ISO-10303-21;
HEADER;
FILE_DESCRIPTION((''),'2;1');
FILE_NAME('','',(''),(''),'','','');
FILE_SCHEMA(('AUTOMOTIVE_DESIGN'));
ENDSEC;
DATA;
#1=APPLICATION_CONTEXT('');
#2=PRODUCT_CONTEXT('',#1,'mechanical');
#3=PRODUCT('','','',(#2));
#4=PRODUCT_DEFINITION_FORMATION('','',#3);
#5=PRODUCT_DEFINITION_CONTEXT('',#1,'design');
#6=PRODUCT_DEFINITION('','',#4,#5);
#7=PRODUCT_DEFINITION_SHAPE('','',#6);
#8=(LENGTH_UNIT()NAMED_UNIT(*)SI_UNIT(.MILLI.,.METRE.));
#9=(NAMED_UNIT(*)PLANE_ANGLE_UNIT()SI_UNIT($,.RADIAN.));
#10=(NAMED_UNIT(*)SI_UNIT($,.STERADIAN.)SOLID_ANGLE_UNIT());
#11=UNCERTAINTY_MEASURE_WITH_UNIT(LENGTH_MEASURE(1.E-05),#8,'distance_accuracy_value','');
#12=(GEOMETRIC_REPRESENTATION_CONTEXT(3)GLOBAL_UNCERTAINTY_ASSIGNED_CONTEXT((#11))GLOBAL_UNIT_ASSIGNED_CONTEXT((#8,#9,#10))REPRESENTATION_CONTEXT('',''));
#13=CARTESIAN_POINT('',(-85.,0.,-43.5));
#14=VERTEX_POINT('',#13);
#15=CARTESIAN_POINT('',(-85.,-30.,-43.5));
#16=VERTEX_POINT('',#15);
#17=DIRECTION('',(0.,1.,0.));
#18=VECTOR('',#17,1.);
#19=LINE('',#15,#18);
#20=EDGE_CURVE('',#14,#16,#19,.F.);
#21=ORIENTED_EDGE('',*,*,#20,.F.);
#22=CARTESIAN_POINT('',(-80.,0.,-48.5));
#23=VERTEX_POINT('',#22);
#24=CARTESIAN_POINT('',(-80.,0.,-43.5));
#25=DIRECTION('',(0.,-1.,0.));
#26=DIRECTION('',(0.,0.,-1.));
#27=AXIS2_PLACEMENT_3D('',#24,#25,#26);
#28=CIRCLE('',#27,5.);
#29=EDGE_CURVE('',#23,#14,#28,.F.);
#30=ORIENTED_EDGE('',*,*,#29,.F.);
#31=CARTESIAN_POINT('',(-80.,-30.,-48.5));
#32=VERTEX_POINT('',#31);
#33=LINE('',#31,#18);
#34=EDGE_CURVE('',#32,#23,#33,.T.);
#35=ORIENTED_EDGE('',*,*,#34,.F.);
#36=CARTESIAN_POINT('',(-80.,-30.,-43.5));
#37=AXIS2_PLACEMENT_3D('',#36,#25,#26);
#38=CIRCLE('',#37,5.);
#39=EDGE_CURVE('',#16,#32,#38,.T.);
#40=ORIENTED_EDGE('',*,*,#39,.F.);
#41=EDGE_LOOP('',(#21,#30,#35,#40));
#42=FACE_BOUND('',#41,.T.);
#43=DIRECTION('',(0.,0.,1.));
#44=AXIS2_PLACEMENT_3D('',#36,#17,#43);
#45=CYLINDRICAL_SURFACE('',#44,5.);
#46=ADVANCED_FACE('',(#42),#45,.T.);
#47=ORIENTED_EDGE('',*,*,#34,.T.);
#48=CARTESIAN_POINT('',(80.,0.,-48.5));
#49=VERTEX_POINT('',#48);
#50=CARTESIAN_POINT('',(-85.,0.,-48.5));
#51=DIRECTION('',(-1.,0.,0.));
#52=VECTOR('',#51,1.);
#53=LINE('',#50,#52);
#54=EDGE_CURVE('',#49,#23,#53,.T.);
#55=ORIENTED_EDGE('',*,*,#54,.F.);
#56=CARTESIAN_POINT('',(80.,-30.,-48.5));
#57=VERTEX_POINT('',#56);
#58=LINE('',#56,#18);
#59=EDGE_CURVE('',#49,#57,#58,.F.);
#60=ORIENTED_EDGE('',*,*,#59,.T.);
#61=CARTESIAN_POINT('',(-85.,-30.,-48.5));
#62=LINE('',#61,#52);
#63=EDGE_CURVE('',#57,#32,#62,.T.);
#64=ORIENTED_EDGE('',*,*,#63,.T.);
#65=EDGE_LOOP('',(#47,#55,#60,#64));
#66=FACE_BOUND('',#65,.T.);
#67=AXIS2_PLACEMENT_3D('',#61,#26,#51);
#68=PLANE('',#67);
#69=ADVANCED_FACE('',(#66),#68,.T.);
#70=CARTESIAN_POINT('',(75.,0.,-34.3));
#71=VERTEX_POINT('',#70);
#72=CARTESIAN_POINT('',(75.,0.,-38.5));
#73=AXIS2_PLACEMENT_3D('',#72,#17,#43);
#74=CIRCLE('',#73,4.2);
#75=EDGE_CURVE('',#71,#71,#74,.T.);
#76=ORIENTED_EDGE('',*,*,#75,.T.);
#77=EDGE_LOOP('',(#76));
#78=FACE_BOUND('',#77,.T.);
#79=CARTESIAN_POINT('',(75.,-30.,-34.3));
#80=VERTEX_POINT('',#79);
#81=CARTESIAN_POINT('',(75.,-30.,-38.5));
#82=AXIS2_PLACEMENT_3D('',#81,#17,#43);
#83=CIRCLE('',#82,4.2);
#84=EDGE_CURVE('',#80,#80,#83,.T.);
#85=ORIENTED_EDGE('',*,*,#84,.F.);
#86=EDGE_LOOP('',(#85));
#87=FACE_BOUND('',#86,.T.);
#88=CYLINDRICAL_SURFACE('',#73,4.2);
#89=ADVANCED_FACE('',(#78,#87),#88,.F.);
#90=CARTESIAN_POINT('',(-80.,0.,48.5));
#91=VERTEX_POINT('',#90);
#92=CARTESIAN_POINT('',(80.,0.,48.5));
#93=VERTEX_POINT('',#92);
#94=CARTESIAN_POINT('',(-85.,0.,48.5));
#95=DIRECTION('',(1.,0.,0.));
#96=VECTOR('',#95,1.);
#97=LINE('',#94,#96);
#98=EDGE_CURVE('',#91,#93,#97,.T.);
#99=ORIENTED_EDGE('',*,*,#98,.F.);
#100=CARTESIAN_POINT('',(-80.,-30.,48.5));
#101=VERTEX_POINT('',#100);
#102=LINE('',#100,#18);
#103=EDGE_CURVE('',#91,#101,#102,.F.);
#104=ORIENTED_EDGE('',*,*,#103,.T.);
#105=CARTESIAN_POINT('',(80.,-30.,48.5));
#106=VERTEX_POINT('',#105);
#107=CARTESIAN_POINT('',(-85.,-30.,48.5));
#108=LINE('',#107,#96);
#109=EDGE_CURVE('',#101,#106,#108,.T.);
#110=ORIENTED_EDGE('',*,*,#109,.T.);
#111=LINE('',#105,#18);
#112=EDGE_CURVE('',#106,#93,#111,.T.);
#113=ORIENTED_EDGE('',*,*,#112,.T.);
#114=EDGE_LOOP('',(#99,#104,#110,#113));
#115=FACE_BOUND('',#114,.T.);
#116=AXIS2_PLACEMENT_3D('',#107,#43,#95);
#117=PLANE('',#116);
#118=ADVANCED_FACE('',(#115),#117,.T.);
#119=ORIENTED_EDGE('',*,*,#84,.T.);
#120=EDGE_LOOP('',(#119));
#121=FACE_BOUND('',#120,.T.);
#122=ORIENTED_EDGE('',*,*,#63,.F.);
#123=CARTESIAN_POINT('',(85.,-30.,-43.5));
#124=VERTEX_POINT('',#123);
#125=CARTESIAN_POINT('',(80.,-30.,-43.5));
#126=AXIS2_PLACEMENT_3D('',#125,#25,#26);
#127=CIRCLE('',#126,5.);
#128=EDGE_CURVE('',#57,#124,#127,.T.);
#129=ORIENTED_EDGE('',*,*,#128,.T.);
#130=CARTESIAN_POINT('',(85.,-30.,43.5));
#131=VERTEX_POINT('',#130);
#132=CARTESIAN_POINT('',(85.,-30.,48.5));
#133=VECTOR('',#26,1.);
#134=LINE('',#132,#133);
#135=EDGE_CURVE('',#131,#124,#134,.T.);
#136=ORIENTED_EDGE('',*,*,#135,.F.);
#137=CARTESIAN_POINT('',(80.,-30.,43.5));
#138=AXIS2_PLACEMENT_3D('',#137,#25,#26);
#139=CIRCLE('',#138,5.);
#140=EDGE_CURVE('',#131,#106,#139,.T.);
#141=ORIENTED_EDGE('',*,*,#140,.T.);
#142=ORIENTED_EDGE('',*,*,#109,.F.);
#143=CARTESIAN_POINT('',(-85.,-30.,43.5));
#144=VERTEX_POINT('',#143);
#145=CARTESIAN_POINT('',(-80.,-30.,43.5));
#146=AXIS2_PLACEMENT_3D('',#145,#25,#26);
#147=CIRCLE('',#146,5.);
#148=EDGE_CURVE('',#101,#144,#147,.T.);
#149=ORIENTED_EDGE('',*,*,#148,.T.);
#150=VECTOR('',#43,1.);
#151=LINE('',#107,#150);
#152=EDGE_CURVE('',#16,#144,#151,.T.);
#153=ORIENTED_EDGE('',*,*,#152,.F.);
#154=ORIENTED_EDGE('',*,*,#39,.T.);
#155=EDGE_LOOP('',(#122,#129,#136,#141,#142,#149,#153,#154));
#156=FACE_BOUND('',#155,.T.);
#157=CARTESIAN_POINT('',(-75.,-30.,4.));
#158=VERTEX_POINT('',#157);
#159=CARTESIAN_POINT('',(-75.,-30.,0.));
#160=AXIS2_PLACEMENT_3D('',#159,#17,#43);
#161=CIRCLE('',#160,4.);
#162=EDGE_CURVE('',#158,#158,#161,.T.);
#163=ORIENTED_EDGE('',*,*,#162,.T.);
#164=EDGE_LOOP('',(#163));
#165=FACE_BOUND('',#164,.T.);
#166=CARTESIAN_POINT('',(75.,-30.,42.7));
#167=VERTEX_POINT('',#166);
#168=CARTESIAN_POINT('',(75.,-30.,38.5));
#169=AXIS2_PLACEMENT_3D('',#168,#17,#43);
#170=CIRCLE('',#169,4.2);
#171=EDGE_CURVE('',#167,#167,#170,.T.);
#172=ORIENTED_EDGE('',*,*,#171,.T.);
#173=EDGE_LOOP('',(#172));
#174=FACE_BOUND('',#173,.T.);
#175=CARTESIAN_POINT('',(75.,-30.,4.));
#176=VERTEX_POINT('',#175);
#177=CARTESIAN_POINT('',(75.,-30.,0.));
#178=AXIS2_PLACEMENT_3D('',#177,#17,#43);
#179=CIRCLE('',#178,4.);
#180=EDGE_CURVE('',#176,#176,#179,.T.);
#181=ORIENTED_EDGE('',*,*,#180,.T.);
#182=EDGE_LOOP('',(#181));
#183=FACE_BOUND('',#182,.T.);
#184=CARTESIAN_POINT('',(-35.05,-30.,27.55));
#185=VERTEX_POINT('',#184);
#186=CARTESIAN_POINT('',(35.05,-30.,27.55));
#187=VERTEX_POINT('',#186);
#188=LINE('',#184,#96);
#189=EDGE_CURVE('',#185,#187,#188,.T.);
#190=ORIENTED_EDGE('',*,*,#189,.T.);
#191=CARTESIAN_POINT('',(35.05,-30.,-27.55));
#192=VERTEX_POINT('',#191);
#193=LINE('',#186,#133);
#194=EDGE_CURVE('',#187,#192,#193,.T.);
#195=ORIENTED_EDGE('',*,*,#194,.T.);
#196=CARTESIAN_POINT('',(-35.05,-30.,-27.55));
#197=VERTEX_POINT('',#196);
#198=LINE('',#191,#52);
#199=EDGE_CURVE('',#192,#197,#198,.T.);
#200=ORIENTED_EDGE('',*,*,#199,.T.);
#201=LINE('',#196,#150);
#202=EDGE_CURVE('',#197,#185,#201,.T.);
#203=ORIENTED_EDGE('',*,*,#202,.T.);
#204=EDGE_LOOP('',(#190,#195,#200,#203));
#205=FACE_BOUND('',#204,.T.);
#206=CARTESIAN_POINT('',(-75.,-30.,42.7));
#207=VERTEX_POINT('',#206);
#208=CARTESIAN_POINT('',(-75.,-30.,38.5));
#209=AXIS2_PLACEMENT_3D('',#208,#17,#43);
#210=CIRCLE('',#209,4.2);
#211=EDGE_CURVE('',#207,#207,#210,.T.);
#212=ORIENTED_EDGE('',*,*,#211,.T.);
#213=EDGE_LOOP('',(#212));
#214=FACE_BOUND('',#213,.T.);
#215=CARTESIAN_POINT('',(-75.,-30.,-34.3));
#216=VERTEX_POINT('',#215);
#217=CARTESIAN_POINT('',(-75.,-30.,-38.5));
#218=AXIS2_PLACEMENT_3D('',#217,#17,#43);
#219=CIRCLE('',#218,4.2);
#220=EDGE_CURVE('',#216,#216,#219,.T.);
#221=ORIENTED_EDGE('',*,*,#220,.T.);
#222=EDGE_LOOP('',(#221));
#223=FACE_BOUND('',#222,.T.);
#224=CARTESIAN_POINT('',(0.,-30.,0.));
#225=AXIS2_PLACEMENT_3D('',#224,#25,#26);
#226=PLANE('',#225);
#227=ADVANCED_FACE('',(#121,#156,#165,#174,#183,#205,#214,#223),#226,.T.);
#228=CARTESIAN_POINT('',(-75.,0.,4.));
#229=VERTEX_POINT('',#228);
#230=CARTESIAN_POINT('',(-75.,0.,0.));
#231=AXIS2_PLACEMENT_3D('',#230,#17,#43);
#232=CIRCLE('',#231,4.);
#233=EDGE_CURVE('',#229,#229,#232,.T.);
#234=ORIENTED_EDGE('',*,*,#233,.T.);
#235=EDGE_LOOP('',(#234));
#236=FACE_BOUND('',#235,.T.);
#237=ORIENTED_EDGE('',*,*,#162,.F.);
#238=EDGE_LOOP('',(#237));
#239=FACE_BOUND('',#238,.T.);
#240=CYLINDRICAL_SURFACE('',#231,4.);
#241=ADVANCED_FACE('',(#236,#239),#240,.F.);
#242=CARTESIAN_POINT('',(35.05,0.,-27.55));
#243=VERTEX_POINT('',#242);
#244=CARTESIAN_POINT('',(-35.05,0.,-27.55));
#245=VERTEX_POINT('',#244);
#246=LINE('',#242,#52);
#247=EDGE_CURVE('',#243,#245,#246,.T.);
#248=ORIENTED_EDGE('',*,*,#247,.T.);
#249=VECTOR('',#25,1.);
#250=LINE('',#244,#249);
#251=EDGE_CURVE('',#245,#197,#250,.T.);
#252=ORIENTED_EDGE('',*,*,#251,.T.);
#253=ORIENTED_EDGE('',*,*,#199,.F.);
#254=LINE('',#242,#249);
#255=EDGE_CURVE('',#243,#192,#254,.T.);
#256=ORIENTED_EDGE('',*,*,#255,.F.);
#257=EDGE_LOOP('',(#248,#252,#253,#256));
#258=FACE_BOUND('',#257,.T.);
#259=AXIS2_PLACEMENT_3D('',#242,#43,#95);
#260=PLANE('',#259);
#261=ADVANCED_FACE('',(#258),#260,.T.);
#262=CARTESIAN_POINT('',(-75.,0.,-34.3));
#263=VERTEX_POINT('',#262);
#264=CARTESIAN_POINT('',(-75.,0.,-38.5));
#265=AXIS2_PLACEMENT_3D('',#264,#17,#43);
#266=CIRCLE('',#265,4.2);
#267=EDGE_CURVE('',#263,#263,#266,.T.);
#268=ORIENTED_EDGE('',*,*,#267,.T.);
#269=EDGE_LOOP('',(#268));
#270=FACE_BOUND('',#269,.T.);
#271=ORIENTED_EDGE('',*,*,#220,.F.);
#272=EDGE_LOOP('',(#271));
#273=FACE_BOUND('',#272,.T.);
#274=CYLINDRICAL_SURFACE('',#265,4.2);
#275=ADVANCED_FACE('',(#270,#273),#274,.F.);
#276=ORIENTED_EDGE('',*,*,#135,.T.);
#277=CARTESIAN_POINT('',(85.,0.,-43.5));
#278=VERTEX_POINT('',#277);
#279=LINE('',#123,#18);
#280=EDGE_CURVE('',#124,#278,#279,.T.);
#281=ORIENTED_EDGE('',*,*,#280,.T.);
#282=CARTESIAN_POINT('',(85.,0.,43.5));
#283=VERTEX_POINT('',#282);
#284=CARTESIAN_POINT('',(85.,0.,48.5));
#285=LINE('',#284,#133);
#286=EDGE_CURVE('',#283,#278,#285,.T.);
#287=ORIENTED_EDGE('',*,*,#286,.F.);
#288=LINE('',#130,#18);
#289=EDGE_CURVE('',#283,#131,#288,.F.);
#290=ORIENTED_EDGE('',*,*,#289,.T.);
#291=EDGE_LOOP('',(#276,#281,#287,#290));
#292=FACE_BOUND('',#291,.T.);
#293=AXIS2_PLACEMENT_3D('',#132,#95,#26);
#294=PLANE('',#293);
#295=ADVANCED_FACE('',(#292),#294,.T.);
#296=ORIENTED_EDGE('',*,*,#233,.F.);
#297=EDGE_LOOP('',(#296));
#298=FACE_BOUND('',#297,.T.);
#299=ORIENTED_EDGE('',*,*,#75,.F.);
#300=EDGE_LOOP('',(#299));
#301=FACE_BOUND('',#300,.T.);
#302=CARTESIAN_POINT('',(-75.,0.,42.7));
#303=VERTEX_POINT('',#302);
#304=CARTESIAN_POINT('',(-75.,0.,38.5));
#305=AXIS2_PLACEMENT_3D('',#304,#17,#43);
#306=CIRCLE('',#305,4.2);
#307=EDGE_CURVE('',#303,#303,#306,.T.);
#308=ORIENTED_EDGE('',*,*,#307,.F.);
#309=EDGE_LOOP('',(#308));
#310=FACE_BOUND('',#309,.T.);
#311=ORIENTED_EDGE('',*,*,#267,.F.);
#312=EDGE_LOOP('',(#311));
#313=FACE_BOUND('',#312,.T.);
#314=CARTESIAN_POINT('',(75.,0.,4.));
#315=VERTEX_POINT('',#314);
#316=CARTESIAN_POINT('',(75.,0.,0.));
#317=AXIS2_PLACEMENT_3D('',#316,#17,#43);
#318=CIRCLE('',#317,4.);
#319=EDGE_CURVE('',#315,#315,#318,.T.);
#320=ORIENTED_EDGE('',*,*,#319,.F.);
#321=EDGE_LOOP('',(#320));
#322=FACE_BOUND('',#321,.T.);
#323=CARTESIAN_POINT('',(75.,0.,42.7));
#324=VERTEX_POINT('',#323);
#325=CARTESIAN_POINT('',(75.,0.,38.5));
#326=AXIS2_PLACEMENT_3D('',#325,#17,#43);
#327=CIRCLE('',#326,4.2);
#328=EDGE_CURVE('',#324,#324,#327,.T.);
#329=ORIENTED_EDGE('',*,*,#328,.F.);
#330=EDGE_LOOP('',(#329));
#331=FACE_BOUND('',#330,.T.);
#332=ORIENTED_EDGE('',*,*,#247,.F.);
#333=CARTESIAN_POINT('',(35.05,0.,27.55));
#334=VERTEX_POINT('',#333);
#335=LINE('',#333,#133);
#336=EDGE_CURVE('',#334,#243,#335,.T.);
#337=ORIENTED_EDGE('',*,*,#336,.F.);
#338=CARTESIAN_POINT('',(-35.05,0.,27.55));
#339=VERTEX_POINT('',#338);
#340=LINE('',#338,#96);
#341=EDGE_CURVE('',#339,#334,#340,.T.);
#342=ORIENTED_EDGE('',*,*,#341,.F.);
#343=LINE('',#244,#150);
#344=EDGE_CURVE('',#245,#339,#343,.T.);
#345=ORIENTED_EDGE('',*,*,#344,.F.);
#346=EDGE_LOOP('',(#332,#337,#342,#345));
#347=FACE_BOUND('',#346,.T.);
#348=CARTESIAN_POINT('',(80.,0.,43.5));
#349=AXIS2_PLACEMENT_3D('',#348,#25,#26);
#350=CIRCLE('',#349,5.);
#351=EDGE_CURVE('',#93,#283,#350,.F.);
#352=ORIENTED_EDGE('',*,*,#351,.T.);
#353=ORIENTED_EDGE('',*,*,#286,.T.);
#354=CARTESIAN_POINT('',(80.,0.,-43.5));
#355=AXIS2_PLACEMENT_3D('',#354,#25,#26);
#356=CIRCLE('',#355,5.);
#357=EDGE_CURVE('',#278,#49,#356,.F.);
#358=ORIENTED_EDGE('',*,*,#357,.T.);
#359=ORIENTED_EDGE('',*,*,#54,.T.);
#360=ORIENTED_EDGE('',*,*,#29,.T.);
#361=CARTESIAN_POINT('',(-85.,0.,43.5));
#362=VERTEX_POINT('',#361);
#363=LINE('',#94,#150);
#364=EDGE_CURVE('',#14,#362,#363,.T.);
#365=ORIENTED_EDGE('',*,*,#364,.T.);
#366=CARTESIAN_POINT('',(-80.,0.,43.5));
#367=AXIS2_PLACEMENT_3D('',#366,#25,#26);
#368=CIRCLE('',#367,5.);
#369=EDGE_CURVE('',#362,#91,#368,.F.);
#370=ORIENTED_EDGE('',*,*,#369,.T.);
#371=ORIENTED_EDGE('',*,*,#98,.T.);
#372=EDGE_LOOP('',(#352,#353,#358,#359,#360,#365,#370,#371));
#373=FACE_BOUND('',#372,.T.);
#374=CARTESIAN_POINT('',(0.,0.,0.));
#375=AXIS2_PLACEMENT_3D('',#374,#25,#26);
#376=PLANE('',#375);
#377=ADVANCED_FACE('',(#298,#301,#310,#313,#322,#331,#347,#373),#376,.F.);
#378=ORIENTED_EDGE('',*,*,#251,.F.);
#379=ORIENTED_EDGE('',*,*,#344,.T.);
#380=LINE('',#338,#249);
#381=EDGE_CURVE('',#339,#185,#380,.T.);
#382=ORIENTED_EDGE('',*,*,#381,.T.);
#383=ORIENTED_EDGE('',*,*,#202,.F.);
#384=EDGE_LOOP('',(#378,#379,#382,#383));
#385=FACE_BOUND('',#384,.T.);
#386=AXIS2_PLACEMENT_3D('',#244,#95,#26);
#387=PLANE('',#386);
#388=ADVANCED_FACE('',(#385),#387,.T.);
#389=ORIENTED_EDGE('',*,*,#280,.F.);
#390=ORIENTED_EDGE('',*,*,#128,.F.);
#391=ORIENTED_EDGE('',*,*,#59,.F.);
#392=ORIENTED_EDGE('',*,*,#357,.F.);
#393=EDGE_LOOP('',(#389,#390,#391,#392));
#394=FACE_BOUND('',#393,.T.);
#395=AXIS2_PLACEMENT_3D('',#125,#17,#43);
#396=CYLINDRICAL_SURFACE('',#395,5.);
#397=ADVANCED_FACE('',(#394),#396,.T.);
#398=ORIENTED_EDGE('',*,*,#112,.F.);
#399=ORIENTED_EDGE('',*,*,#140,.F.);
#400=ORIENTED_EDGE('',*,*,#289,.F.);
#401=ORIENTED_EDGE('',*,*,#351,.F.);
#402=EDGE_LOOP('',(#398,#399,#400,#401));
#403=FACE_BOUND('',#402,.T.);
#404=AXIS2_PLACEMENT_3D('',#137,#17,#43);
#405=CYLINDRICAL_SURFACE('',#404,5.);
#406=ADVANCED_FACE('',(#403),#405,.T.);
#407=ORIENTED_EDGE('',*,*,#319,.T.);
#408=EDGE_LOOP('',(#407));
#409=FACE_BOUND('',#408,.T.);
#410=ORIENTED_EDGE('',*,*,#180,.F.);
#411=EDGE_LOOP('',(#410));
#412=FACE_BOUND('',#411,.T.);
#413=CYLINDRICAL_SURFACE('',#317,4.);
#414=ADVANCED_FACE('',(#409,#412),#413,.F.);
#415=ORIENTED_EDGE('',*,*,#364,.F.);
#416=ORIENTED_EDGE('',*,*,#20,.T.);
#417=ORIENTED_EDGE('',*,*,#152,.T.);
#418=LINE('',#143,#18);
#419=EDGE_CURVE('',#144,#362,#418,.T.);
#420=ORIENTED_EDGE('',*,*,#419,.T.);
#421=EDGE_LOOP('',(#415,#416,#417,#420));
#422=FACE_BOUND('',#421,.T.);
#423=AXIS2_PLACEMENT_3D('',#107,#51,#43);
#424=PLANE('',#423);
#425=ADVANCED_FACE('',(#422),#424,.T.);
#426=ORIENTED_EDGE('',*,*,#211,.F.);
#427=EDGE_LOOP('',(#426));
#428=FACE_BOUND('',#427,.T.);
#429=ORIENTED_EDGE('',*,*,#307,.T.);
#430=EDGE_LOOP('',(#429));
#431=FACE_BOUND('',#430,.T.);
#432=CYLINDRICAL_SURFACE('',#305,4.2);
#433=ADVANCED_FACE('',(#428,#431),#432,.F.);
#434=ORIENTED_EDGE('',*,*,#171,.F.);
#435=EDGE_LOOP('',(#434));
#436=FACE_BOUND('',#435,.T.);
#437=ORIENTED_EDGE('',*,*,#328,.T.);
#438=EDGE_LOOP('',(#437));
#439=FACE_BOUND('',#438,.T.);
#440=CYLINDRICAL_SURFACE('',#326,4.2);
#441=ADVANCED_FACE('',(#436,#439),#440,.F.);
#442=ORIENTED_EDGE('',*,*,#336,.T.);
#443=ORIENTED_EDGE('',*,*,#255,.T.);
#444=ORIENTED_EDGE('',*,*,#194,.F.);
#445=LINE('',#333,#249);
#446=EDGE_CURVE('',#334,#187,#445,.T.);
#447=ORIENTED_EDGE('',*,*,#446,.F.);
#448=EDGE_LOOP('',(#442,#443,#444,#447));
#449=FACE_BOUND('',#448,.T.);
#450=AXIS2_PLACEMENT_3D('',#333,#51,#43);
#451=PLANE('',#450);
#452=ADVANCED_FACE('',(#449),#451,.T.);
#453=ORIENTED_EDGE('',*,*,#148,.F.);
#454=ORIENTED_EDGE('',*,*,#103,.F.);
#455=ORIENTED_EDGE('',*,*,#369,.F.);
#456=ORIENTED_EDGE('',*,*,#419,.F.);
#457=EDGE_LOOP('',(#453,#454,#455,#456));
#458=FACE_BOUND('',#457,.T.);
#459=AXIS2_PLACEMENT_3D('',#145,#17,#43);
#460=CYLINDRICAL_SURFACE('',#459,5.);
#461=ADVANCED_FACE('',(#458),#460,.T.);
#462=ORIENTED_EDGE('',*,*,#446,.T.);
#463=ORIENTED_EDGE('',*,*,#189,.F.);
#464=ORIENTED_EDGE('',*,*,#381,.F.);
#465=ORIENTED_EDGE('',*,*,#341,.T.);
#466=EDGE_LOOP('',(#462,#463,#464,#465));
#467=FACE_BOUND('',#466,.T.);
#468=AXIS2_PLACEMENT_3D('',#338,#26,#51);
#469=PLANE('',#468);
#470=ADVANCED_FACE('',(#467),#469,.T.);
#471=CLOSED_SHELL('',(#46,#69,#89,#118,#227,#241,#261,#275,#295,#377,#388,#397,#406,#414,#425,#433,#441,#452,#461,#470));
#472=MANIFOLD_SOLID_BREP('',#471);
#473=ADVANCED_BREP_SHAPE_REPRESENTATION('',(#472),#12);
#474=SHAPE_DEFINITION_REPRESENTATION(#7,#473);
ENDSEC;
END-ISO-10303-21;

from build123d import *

# Parameters (mm, degrees)
SKETCH1_W             = 170
SKETCH1_H             = 97
BOSS_EXTRUDE1_DEPTH   = 30
FILLET1_R             = 5
SKETCH2_W             = 70.1
SKETCH2_H             = 55.1
CUT_EXTRUDE3_DEPTH    = 103.358438831
F_8_0MM_DOWEL_HOLE1_D = 8
M8_CLEARANCE_HOLE1_D  = 8.4


with BuildPart() as part:
    # Sketch1 → Boss-Extrude1 (new body)
    with BuildSketch(Plane(origin=(0, 0, 0), x_dir=(1, 0, 0), z_dir=(0, 1, 0))):
        Rectangle(SKETCH1_W, SKETCH1_H)
    extrude(amount=-BOSS_EXTRUDE1_DEPTH)

    # Fillet1
    fillet1_edges = [part.edges().sort_by_distance(p)[0] for p in [
        (85, -15, 48.5),
        (-85, -15, 48.5),
        (-85, -15, -48.5),
        (85, -15, -48.5),
    ]]
    fillet(fillet1_edges, radius=FILLET1_R)

    # Sketch2 → Cut-Extrude3 (cut, through all)
    with BuildSketch(Plane(origin=(0, -30, 0), x_dir=(1, 0, 0), z_dir=(0, 1, 0))):
        Rectangle(SKETCH2_W, SKETCH2_H)
    extrude(amount=CUT_EXTRUDE3_DEPTH, mode=Mode.SUBTRACT)

    # Ø8.0mm Dowel Hole1 (through all)
    with Locations(Plane(origin=(0, 0, 0), x_dir=(1, 0, 0), z_dir=(0, 1, 0))):
        with Locations((-75, 0), (75, 0)):
            Hole(F_8_0MM_DOWEL_HOLE1_D / 2)

    # M8 Clearance Hole1 (through all)
    with Locations(Plane(origin=(0, 0, 0), x_dir=(1, 0, 0), z_dir=(0, 1, 0))):
        with Locations((-75, 38.5), (-75, -38.5), (75, -38.5), (75, 38.5)):
            Hole(M8_CLEARANCE_HOLE1_D / 2)


solid = part.part
